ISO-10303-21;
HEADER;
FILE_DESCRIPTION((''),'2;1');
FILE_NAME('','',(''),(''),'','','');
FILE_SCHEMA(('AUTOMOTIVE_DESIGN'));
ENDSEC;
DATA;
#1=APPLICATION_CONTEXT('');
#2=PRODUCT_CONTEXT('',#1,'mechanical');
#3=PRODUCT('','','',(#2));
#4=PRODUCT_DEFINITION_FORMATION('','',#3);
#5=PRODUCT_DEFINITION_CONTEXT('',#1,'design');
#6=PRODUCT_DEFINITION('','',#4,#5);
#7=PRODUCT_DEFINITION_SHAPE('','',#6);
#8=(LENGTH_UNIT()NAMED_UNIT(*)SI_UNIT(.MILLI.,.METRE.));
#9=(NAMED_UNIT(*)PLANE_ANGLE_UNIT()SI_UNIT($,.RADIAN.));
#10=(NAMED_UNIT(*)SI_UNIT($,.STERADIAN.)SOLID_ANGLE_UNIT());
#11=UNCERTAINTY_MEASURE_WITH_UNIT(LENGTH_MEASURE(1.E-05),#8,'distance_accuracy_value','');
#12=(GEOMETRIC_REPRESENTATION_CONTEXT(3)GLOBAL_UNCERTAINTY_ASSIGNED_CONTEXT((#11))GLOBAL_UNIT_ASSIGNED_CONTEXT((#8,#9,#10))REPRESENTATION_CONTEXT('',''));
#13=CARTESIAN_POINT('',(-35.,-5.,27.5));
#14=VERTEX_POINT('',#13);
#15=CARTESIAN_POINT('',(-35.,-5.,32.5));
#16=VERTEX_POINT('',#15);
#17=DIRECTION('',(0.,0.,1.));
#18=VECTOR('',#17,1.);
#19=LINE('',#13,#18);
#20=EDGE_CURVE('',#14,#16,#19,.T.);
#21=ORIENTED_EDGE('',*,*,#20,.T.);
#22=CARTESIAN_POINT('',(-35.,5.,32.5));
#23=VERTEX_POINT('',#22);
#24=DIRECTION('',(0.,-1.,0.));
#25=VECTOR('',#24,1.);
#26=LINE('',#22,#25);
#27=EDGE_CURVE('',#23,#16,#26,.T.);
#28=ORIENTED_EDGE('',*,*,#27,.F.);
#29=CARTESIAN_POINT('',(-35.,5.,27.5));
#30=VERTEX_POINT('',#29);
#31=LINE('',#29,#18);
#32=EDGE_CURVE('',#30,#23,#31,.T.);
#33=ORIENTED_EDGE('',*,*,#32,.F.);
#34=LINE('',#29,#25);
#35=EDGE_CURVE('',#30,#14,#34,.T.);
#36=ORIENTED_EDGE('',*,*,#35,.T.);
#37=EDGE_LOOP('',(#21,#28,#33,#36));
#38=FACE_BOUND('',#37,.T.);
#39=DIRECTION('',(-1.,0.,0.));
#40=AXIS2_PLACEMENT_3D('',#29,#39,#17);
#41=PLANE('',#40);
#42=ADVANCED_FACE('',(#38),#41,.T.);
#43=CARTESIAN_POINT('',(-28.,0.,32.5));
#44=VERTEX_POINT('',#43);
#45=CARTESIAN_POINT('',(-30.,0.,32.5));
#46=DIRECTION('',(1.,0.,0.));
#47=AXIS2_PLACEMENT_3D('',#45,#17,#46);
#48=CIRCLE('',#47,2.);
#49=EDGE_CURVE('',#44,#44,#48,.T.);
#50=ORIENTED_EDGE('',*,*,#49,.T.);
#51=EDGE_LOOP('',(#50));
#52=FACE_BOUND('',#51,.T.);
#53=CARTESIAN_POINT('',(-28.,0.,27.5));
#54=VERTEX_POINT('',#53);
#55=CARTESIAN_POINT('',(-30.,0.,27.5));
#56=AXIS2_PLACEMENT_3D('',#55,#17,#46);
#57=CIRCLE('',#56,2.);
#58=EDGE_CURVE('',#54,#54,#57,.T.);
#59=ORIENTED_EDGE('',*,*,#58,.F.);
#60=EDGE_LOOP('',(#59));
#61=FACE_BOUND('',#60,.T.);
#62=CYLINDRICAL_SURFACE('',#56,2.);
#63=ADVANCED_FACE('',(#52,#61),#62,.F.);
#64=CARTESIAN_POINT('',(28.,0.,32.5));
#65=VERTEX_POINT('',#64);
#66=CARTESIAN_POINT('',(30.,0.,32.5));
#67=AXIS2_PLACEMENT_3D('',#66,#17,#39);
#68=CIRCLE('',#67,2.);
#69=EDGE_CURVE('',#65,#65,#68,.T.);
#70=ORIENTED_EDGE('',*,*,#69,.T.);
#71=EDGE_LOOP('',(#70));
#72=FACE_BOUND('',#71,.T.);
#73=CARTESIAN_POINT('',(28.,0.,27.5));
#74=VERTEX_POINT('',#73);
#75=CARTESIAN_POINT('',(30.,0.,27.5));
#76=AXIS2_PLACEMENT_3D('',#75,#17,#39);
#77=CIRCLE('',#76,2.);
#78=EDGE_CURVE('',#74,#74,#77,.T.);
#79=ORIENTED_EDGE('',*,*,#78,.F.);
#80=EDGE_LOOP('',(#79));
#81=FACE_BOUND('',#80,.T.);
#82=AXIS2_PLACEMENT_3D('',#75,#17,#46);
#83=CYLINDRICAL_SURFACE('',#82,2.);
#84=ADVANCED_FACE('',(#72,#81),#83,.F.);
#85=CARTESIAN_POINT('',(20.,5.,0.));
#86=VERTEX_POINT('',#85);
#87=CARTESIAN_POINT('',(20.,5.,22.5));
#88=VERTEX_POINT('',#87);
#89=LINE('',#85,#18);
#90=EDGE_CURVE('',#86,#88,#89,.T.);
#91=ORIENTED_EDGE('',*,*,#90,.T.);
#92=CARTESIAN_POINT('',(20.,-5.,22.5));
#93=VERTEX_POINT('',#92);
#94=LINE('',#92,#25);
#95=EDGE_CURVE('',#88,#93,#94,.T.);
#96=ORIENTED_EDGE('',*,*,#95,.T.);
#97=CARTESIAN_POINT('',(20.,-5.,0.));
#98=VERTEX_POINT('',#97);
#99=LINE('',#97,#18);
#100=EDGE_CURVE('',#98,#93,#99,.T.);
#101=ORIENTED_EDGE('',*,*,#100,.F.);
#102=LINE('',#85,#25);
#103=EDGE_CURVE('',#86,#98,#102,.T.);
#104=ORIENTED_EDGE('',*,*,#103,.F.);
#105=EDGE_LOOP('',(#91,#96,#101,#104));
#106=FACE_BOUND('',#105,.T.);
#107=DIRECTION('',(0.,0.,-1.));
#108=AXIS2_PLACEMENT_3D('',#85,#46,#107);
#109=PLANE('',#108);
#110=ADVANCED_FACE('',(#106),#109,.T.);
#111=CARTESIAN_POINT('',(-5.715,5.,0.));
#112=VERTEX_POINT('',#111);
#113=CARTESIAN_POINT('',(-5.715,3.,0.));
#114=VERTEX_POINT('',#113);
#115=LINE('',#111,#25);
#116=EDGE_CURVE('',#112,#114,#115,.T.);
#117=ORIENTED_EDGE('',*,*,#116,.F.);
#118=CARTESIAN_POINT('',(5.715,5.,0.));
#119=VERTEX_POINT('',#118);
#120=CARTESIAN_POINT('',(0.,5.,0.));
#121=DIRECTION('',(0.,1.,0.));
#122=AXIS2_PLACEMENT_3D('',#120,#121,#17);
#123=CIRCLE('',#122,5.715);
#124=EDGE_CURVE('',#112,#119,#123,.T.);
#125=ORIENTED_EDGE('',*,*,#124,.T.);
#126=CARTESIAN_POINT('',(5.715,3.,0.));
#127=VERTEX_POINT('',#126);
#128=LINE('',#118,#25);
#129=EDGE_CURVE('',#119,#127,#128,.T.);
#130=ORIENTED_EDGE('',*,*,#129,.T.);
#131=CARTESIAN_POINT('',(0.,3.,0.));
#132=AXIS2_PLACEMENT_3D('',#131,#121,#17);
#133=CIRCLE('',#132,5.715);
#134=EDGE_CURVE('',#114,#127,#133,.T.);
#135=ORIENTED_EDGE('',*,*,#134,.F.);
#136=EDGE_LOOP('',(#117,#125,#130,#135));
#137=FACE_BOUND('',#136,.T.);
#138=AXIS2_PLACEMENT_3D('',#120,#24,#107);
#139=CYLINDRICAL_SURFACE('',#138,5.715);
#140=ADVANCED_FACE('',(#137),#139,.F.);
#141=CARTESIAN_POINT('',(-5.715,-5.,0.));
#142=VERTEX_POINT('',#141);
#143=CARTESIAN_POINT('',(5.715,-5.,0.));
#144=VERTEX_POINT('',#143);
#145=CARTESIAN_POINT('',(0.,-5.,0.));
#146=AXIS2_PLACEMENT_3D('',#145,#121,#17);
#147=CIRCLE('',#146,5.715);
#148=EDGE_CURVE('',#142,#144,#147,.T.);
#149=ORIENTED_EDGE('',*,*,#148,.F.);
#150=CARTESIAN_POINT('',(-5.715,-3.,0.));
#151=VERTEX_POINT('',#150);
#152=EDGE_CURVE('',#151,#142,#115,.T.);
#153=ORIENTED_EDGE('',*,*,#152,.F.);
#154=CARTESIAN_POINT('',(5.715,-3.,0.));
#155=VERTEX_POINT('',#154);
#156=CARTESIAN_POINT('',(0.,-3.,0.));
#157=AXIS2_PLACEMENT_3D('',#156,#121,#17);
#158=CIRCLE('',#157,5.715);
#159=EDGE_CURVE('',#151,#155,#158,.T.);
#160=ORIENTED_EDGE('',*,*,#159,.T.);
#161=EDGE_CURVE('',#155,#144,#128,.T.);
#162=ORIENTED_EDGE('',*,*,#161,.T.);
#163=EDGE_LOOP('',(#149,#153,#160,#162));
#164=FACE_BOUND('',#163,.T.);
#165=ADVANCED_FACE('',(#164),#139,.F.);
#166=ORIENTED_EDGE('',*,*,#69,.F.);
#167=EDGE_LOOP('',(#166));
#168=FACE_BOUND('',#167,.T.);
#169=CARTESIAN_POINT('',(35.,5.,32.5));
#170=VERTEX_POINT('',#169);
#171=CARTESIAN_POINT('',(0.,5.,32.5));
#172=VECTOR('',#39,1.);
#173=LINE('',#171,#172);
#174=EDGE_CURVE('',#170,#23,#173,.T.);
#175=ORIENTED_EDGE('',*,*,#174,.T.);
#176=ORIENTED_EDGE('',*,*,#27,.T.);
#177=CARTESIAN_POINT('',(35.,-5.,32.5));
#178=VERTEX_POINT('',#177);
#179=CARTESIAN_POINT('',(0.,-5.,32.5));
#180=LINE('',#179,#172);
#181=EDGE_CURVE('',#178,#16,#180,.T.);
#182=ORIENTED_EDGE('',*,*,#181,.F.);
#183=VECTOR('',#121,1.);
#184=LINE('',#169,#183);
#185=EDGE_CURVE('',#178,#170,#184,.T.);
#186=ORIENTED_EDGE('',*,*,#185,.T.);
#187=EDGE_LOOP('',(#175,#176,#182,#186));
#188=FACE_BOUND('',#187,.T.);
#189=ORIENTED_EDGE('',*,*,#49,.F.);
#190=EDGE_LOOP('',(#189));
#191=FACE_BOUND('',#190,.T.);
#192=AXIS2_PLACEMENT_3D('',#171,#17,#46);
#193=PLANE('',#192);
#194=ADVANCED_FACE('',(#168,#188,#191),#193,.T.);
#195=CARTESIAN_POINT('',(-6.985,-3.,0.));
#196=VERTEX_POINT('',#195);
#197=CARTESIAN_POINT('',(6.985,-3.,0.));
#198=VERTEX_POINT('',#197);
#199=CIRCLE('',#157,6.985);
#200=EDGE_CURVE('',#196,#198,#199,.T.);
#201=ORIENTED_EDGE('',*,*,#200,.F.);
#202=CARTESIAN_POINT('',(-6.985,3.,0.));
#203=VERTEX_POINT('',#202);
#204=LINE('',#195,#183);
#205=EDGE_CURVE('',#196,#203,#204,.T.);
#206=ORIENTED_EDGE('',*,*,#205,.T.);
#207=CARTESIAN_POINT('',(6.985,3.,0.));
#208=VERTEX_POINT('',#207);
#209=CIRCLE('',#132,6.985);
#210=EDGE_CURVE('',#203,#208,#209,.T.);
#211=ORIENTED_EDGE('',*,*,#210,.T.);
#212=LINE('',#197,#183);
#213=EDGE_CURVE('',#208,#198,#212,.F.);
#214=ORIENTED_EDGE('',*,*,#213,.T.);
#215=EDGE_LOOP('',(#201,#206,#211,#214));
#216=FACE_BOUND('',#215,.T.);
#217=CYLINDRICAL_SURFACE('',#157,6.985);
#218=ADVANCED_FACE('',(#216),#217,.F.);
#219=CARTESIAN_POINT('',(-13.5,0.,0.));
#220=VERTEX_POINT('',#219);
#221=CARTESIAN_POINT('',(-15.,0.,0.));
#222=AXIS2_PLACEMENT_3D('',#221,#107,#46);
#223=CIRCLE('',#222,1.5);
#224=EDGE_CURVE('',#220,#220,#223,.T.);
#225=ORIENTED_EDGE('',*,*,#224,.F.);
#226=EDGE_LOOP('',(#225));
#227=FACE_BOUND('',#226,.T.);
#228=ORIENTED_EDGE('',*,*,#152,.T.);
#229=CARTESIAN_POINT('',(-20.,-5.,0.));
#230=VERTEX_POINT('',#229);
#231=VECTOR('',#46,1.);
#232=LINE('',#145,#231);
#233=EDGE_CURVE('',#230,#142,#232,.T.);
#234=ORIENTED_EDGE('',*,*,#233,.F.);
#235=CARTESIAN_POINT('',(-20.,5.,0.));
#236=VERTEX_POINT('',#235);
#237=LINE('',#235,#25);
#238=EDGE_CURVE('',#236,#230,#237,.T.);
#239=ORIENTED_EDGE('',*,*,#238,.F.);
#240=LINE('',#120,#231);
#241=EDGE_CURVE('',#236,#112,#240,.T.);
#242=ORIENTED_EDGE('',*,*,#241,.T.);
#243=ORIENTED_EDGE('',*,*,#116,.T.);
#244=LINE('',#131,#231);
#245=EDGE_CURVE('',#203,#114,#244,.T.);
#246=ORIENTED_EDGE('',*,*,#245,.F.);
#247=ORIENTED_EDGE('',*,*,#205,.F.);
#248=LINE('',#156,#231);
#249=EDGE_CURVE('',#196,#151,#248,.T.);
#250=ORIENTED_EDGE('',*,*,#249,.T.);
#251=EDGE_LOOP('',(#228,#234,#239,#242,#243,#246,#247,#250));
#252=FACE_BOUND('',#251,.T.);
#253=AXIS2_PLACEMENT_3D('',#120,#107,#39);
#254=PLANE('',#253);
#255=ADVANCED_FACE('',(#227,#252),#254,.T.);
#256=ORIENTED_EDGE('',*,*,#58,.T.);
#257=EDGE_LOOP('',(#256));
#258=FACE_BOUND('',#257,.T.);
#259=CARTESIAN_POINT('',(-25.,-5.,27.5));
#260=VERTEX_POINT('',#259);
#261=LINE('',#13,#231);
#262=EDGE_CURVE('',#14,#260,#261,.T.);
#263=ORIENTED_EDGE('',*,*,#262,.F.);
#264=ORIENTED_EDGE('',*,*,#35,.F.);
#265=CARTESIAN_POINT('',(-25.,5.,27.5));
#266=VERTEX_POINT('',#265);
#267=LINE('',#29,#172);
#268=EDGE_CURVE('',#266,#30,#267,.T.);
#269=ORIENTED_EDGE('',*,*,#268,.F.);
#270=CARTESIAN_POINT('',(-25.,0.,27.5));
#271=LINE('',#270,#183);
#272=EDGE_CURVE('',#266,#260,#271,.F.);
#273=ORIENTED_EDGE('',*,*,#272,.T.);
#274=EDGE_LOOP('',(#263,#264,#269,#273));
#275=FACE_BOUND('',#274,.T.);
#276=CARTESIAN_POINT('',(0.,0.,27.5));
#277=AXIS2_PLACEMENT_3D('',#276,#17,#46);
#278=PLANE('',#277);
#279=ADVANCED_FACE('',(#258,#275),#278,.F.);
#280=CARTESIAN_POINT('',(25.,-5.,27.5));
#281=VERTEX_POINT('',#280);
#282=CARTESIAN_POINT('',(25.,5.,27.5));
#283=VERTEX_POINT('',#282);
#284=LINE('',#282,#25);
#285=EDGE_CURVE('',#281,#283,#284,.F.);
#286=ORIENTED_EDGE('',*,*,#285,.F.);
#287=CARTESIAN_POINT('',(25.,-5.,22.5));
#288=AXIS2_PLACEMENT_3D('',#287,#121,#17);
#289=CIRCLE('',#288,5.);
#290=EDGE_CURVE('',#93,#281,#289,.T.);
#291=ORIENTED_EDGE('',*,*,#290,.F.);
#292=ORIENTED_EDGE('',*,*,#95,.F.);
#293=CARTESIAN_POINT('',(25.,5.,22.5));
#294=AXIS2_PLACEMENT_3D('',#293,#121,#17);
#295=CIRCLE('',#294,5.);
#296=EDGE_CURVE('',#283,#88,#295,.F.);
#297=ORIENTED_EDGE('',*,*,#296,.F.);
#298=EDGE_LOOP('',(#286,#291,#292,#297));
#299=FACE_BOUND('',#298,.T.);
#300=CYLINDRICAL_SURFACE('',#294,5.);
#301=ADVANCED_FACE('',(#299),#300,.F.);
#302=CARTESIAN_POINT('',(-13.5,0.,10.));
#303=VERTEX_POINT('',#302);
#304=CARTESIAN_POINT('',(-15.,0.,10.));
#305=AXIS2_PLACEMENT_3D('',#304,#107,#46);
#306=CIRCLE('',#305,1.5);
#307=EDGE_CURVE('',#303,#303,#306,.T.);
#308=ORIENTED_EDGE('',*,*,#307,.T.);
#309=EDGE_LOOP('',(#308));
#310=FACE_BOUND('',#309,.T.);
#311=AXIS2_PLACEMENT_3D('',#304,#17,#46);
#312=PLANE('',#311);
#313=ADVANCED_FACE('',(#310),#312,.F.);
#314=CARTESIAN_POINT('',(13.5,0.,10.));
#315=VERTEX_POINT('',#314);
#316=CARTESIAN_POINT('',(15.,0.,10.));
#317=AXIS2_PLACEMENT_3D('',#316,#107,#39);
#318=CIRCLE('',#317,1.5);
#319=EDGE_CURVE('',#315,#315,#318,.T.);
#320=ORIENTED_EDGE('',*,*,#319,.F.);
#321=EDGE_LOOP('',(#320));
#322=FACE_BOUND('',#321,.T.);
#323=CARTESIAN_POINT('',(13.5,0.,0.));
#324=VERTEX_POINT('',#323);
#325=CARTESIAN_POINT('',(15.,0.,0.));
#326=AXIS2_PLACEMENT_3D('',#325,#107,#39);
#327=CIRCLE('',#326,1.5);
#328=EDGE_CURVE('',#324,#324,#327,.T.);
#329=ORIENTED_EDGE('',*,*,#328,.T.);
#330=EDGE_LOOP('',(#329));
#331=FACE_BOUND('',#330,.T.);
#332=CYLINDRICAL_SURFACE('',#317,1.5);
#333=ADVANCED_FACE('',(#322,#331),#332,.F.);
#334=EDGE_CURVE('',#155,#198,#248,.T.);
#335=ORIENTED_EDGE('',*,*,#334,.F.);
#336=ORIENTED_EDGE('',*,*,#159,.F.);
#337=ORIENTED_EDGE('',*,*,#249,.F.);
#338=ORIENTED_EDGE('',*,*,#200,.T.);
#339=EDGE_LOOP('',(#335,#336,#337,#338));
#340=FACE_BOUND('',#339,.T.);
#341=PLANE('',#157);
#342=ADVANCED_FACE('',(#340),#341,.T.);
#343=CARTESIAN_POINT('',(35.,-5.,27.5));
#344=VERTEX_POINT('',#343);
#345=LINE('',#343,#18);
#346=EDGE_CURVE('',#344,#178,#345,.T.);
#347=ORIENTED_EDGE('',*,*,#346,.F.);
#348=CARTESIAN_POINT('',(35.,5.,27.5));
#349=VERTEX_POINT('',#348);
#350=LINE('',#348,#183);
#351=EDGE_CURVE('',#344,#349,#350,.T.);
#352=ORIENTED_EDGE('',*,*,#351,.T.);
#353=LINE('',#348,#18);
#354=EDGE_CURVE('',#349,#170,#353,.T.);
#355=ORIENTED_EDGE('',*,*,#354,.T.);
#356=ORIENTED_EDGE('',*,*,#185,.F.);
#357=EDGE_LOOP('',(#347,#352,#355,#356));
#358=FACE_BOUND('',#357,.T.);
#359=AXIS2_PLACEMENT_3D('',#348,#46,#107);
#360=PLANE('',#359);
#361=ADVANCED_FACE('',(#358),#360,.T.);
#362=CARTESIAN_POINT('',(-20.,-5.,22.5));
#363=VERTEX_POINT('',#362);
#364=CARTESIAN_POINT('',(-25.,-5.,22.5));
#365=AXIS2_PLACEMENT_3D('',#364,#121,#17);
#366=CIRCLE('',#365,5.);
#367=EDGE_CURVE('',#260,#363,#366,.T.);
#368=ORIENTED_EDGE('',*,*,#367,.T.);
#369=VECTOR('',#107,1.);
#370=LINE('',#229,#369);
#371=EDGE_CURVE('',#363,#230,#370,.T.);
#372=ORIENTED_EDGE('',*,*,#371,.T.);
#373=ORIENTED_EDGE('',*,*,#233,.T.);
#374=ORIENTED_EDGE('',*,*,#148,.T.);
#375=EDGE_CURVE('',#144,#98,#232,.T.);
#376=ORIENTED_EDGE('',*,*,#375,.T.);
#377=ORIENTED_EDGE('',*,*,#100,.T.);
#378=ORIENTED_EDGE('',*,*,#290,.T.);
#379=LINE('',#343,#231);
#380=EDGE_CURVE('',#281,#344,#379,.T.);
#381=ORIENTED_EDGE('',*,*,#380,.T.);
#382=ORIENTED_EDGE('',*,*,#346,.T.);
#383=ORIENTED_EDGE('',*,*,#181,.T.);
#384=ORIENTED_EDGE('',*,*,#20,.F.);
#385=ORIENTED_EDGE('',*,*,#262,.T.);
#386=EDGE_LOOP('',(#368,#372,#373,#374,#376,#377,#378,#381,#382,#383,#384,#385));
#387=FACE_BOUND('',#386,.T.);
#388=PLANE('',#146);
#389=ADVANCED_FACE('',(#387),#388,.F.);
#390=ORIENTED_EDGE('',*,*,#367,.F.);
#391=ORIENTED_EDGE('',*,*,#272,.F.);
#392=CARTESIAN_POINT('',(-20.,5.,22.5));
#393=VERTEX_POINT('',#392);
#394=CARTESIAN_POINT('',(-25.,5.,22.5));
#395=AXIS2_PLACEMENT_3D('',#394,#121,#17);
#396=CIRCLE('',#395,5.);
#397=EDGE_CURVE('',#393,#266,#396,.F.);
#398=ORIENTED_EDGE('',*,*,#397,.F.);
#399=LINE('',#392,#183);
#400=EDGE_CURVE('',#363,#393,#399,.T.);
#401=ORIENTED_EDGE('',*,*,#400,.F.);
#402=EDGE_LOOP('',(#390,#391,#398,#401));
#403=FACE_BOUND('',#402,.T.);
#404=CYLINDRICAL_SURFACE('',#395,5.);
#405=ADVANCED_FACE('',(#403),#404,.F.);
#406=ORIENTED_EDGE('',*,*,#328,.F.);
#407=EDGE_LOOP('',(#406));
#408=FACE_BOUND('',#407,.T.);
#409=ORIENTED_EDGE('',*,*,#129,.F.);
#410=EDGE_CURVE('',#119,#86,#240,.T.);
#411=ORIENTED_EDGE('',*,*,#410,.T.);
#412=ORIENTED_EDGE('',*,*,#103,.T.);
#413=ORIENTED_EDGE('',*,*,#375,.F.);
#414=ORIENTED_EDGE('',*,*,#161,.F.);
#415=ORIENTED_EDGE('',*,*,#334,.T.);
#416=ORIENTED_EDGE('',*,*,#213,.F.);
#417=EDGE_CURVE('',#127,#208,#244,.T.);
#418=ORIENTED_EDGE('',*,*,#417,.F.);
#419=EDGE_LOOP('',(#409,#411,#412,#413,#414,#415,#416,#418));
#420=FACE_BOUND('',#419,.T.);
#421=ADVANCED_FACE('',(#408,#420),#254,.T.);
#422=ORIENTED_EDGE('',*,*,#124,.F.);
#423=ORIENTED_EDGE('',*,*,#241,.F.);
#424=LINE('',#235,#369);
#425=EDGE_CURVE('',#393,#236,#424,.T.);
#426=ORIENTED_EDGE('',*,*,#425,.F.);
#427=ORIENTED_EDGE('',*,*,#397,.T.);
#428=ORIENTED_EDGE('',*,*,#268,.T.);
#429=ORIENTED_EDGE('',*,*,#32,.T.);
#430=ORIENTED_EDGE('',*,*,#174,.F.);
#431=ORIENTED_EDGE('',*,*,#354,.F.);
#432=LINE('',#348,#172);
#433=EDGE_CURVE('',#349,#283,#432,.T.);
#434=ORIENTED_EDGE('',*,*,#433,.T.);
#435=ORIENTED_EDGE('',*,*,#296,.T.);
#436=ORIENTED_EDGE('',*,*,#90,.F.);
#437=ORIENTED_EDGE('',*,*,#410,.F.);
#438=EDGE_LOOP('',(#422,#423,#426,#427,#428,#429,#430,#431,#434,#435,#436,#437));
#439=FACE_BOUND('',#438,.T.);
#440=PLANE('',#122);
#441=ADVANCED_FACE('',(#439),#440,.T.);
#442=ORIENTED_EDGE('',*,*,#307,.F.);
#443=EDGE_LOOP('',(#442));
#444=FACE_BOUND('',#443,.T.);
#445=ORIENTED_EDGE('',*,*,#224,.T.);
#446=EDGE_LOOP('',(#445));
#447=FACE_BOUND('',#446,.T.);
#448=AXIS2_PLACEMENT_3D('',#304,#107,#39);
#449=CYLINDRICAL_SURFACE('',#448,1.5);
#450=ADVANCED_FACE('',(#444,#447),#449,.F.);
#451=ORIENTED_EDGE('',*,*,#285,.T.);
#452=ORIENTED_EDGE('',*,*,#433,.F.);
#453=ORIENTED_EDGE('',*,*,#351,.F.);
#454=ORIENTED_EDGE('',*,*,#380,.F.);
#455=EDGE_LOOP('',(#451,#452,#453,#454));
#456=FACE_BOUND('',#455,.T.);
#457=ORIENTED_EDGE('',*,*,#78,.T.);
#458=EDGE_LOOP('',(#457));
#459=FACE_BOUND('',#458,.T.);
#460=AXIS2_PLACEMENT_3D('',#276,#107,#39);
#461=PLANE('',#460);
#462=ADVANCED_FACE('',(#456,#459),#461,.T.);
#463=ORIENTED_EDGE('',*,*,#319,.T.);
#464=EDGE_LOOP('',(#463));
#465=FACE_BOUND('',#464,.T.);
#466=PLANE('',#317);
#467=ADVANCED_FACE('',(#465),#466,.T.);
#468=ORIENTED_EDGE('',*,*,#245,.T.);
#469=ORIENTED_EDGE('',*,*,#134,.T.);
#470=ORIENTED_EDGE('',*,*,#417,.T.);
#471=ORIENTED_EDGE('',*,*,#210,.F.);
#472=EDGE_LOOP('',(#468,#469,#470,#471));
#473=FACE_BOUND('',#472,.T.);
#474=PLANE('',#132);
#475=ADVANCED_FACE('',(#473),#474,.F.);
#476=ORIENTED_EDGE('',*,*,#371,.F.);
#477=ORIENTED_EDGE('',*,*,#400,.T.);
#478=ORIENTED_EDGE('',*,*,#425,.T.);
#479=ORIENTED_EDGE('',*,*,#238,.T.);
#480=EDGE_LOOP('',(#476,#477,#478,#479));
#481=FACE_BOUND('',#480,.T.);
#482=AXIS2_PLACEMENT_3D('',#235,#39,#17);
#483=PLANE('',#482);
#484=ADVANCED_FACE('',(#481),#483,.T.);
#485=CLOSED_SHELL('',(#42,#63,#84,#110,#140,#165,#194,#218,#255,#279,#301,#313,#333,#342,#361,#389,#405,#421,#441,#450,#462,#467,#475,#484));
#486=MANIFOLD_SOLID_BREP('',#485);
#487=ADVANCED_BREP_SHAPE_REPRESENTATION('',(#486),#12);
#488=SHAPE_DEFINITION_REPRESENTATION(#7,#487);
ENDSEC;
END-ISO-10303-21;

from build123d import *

# Parameters (mm, degrees)
MAIN_BODY_DEPTH       = 5
SKETCH3_R             = 6.985
BEARING_CUTOUT_DEPTH  = 3
SKETCH4_R             = 1.5
TOP_MOUNT_HOLES_DEPTH = 10
SKETCH6_W             = 15
SKETCH6_H             = 10
SKETCH6_R             = 2
MOUNTING_HOLES_DEPTH  = 5
FILLET1_R             = 5


with BuildPart() as part:
    # Sketch1 → main body (new body, symmetric)
    with BuildSketch(Plane(origin=(0, 0, 0), x_dir=(1, 0, 0), z_dir=(0, 1, 0))):
        with BuildLine():
            Line((20, 0), (12.7, 0))
            Line((12.7, 0), (5.715, 0))
            ThreePointArc((5.715, 0), (0, -5.715), (-5.715, 0))
            Line((-5.715, 0), (-12.7, 0))
            Line((-12.7, 0), (-20, 0))
            Line((-20, 0), (-20, -32.5))
            Line((-20, -32.5), (20, -32.5))
            Line((20, -32.5), (20, 0))
        make_face()
    extrude(amount=MAIN_BODY_DEPTH, both=True)

    # Sketch3 → bearing cutout (cut, symmetric)
    with BuildSketch(Plane(origin=(0, 0, 0), x_dir=(1, 0, 0), z_dir=(0, 1, 0))):
        Circle(SKETCH3_R)
    extrude(amount=BEARING_CUTOUT_DEPTH, both=True, mode=Mode.SUBTRACT)

    # Sketch4 → top mount holes (cut)
    with BuildSketch(Plane(origin=(0, 0, 0), x_dir=(-1, 0, 0), z_dir=(0, 0, -1))):
        with Locations((-15, 0)):
            Circle(SKETCH4_R)
        with Locations((15, 0)):
            Circle(SKETCH4_R)
    extrude(amount=-TOP_MOUNT_HOLES_DEPTH, mode=Mode.SUBTRACT)

    # Sketch6 → mounting holes (add)
    with BuildSketch(Plane.XY.offset(32.5)):
        with Locations((-27.5, 0)):
            Rectangle(SKETCH6_W, SKETCH6_H)
        with Locations((-30, 0)):
            Circle(SKETCH6_R, mode=Mode.SUBTRACT)
        with Locations((27.5, 0)):
            Rectangle(SKETCH6_W, SKETCH6_H)
        with Locations((30, 0)):
            Circle(SKETCH6_R, mode=Mode.SUBTRACT)
    extrude(amount=-MOUNTING_HOLES_DEPTH)

    # Fillet1
    fillet1_edges = [part.edges().sort_by_distance(p)[0] for p in [
        (-20, 0, 27.5),
        (20, 0, 27.5),
    ]]
    fillet(fillet1_edges, radius=FILLET1_R)


solid = part.part
